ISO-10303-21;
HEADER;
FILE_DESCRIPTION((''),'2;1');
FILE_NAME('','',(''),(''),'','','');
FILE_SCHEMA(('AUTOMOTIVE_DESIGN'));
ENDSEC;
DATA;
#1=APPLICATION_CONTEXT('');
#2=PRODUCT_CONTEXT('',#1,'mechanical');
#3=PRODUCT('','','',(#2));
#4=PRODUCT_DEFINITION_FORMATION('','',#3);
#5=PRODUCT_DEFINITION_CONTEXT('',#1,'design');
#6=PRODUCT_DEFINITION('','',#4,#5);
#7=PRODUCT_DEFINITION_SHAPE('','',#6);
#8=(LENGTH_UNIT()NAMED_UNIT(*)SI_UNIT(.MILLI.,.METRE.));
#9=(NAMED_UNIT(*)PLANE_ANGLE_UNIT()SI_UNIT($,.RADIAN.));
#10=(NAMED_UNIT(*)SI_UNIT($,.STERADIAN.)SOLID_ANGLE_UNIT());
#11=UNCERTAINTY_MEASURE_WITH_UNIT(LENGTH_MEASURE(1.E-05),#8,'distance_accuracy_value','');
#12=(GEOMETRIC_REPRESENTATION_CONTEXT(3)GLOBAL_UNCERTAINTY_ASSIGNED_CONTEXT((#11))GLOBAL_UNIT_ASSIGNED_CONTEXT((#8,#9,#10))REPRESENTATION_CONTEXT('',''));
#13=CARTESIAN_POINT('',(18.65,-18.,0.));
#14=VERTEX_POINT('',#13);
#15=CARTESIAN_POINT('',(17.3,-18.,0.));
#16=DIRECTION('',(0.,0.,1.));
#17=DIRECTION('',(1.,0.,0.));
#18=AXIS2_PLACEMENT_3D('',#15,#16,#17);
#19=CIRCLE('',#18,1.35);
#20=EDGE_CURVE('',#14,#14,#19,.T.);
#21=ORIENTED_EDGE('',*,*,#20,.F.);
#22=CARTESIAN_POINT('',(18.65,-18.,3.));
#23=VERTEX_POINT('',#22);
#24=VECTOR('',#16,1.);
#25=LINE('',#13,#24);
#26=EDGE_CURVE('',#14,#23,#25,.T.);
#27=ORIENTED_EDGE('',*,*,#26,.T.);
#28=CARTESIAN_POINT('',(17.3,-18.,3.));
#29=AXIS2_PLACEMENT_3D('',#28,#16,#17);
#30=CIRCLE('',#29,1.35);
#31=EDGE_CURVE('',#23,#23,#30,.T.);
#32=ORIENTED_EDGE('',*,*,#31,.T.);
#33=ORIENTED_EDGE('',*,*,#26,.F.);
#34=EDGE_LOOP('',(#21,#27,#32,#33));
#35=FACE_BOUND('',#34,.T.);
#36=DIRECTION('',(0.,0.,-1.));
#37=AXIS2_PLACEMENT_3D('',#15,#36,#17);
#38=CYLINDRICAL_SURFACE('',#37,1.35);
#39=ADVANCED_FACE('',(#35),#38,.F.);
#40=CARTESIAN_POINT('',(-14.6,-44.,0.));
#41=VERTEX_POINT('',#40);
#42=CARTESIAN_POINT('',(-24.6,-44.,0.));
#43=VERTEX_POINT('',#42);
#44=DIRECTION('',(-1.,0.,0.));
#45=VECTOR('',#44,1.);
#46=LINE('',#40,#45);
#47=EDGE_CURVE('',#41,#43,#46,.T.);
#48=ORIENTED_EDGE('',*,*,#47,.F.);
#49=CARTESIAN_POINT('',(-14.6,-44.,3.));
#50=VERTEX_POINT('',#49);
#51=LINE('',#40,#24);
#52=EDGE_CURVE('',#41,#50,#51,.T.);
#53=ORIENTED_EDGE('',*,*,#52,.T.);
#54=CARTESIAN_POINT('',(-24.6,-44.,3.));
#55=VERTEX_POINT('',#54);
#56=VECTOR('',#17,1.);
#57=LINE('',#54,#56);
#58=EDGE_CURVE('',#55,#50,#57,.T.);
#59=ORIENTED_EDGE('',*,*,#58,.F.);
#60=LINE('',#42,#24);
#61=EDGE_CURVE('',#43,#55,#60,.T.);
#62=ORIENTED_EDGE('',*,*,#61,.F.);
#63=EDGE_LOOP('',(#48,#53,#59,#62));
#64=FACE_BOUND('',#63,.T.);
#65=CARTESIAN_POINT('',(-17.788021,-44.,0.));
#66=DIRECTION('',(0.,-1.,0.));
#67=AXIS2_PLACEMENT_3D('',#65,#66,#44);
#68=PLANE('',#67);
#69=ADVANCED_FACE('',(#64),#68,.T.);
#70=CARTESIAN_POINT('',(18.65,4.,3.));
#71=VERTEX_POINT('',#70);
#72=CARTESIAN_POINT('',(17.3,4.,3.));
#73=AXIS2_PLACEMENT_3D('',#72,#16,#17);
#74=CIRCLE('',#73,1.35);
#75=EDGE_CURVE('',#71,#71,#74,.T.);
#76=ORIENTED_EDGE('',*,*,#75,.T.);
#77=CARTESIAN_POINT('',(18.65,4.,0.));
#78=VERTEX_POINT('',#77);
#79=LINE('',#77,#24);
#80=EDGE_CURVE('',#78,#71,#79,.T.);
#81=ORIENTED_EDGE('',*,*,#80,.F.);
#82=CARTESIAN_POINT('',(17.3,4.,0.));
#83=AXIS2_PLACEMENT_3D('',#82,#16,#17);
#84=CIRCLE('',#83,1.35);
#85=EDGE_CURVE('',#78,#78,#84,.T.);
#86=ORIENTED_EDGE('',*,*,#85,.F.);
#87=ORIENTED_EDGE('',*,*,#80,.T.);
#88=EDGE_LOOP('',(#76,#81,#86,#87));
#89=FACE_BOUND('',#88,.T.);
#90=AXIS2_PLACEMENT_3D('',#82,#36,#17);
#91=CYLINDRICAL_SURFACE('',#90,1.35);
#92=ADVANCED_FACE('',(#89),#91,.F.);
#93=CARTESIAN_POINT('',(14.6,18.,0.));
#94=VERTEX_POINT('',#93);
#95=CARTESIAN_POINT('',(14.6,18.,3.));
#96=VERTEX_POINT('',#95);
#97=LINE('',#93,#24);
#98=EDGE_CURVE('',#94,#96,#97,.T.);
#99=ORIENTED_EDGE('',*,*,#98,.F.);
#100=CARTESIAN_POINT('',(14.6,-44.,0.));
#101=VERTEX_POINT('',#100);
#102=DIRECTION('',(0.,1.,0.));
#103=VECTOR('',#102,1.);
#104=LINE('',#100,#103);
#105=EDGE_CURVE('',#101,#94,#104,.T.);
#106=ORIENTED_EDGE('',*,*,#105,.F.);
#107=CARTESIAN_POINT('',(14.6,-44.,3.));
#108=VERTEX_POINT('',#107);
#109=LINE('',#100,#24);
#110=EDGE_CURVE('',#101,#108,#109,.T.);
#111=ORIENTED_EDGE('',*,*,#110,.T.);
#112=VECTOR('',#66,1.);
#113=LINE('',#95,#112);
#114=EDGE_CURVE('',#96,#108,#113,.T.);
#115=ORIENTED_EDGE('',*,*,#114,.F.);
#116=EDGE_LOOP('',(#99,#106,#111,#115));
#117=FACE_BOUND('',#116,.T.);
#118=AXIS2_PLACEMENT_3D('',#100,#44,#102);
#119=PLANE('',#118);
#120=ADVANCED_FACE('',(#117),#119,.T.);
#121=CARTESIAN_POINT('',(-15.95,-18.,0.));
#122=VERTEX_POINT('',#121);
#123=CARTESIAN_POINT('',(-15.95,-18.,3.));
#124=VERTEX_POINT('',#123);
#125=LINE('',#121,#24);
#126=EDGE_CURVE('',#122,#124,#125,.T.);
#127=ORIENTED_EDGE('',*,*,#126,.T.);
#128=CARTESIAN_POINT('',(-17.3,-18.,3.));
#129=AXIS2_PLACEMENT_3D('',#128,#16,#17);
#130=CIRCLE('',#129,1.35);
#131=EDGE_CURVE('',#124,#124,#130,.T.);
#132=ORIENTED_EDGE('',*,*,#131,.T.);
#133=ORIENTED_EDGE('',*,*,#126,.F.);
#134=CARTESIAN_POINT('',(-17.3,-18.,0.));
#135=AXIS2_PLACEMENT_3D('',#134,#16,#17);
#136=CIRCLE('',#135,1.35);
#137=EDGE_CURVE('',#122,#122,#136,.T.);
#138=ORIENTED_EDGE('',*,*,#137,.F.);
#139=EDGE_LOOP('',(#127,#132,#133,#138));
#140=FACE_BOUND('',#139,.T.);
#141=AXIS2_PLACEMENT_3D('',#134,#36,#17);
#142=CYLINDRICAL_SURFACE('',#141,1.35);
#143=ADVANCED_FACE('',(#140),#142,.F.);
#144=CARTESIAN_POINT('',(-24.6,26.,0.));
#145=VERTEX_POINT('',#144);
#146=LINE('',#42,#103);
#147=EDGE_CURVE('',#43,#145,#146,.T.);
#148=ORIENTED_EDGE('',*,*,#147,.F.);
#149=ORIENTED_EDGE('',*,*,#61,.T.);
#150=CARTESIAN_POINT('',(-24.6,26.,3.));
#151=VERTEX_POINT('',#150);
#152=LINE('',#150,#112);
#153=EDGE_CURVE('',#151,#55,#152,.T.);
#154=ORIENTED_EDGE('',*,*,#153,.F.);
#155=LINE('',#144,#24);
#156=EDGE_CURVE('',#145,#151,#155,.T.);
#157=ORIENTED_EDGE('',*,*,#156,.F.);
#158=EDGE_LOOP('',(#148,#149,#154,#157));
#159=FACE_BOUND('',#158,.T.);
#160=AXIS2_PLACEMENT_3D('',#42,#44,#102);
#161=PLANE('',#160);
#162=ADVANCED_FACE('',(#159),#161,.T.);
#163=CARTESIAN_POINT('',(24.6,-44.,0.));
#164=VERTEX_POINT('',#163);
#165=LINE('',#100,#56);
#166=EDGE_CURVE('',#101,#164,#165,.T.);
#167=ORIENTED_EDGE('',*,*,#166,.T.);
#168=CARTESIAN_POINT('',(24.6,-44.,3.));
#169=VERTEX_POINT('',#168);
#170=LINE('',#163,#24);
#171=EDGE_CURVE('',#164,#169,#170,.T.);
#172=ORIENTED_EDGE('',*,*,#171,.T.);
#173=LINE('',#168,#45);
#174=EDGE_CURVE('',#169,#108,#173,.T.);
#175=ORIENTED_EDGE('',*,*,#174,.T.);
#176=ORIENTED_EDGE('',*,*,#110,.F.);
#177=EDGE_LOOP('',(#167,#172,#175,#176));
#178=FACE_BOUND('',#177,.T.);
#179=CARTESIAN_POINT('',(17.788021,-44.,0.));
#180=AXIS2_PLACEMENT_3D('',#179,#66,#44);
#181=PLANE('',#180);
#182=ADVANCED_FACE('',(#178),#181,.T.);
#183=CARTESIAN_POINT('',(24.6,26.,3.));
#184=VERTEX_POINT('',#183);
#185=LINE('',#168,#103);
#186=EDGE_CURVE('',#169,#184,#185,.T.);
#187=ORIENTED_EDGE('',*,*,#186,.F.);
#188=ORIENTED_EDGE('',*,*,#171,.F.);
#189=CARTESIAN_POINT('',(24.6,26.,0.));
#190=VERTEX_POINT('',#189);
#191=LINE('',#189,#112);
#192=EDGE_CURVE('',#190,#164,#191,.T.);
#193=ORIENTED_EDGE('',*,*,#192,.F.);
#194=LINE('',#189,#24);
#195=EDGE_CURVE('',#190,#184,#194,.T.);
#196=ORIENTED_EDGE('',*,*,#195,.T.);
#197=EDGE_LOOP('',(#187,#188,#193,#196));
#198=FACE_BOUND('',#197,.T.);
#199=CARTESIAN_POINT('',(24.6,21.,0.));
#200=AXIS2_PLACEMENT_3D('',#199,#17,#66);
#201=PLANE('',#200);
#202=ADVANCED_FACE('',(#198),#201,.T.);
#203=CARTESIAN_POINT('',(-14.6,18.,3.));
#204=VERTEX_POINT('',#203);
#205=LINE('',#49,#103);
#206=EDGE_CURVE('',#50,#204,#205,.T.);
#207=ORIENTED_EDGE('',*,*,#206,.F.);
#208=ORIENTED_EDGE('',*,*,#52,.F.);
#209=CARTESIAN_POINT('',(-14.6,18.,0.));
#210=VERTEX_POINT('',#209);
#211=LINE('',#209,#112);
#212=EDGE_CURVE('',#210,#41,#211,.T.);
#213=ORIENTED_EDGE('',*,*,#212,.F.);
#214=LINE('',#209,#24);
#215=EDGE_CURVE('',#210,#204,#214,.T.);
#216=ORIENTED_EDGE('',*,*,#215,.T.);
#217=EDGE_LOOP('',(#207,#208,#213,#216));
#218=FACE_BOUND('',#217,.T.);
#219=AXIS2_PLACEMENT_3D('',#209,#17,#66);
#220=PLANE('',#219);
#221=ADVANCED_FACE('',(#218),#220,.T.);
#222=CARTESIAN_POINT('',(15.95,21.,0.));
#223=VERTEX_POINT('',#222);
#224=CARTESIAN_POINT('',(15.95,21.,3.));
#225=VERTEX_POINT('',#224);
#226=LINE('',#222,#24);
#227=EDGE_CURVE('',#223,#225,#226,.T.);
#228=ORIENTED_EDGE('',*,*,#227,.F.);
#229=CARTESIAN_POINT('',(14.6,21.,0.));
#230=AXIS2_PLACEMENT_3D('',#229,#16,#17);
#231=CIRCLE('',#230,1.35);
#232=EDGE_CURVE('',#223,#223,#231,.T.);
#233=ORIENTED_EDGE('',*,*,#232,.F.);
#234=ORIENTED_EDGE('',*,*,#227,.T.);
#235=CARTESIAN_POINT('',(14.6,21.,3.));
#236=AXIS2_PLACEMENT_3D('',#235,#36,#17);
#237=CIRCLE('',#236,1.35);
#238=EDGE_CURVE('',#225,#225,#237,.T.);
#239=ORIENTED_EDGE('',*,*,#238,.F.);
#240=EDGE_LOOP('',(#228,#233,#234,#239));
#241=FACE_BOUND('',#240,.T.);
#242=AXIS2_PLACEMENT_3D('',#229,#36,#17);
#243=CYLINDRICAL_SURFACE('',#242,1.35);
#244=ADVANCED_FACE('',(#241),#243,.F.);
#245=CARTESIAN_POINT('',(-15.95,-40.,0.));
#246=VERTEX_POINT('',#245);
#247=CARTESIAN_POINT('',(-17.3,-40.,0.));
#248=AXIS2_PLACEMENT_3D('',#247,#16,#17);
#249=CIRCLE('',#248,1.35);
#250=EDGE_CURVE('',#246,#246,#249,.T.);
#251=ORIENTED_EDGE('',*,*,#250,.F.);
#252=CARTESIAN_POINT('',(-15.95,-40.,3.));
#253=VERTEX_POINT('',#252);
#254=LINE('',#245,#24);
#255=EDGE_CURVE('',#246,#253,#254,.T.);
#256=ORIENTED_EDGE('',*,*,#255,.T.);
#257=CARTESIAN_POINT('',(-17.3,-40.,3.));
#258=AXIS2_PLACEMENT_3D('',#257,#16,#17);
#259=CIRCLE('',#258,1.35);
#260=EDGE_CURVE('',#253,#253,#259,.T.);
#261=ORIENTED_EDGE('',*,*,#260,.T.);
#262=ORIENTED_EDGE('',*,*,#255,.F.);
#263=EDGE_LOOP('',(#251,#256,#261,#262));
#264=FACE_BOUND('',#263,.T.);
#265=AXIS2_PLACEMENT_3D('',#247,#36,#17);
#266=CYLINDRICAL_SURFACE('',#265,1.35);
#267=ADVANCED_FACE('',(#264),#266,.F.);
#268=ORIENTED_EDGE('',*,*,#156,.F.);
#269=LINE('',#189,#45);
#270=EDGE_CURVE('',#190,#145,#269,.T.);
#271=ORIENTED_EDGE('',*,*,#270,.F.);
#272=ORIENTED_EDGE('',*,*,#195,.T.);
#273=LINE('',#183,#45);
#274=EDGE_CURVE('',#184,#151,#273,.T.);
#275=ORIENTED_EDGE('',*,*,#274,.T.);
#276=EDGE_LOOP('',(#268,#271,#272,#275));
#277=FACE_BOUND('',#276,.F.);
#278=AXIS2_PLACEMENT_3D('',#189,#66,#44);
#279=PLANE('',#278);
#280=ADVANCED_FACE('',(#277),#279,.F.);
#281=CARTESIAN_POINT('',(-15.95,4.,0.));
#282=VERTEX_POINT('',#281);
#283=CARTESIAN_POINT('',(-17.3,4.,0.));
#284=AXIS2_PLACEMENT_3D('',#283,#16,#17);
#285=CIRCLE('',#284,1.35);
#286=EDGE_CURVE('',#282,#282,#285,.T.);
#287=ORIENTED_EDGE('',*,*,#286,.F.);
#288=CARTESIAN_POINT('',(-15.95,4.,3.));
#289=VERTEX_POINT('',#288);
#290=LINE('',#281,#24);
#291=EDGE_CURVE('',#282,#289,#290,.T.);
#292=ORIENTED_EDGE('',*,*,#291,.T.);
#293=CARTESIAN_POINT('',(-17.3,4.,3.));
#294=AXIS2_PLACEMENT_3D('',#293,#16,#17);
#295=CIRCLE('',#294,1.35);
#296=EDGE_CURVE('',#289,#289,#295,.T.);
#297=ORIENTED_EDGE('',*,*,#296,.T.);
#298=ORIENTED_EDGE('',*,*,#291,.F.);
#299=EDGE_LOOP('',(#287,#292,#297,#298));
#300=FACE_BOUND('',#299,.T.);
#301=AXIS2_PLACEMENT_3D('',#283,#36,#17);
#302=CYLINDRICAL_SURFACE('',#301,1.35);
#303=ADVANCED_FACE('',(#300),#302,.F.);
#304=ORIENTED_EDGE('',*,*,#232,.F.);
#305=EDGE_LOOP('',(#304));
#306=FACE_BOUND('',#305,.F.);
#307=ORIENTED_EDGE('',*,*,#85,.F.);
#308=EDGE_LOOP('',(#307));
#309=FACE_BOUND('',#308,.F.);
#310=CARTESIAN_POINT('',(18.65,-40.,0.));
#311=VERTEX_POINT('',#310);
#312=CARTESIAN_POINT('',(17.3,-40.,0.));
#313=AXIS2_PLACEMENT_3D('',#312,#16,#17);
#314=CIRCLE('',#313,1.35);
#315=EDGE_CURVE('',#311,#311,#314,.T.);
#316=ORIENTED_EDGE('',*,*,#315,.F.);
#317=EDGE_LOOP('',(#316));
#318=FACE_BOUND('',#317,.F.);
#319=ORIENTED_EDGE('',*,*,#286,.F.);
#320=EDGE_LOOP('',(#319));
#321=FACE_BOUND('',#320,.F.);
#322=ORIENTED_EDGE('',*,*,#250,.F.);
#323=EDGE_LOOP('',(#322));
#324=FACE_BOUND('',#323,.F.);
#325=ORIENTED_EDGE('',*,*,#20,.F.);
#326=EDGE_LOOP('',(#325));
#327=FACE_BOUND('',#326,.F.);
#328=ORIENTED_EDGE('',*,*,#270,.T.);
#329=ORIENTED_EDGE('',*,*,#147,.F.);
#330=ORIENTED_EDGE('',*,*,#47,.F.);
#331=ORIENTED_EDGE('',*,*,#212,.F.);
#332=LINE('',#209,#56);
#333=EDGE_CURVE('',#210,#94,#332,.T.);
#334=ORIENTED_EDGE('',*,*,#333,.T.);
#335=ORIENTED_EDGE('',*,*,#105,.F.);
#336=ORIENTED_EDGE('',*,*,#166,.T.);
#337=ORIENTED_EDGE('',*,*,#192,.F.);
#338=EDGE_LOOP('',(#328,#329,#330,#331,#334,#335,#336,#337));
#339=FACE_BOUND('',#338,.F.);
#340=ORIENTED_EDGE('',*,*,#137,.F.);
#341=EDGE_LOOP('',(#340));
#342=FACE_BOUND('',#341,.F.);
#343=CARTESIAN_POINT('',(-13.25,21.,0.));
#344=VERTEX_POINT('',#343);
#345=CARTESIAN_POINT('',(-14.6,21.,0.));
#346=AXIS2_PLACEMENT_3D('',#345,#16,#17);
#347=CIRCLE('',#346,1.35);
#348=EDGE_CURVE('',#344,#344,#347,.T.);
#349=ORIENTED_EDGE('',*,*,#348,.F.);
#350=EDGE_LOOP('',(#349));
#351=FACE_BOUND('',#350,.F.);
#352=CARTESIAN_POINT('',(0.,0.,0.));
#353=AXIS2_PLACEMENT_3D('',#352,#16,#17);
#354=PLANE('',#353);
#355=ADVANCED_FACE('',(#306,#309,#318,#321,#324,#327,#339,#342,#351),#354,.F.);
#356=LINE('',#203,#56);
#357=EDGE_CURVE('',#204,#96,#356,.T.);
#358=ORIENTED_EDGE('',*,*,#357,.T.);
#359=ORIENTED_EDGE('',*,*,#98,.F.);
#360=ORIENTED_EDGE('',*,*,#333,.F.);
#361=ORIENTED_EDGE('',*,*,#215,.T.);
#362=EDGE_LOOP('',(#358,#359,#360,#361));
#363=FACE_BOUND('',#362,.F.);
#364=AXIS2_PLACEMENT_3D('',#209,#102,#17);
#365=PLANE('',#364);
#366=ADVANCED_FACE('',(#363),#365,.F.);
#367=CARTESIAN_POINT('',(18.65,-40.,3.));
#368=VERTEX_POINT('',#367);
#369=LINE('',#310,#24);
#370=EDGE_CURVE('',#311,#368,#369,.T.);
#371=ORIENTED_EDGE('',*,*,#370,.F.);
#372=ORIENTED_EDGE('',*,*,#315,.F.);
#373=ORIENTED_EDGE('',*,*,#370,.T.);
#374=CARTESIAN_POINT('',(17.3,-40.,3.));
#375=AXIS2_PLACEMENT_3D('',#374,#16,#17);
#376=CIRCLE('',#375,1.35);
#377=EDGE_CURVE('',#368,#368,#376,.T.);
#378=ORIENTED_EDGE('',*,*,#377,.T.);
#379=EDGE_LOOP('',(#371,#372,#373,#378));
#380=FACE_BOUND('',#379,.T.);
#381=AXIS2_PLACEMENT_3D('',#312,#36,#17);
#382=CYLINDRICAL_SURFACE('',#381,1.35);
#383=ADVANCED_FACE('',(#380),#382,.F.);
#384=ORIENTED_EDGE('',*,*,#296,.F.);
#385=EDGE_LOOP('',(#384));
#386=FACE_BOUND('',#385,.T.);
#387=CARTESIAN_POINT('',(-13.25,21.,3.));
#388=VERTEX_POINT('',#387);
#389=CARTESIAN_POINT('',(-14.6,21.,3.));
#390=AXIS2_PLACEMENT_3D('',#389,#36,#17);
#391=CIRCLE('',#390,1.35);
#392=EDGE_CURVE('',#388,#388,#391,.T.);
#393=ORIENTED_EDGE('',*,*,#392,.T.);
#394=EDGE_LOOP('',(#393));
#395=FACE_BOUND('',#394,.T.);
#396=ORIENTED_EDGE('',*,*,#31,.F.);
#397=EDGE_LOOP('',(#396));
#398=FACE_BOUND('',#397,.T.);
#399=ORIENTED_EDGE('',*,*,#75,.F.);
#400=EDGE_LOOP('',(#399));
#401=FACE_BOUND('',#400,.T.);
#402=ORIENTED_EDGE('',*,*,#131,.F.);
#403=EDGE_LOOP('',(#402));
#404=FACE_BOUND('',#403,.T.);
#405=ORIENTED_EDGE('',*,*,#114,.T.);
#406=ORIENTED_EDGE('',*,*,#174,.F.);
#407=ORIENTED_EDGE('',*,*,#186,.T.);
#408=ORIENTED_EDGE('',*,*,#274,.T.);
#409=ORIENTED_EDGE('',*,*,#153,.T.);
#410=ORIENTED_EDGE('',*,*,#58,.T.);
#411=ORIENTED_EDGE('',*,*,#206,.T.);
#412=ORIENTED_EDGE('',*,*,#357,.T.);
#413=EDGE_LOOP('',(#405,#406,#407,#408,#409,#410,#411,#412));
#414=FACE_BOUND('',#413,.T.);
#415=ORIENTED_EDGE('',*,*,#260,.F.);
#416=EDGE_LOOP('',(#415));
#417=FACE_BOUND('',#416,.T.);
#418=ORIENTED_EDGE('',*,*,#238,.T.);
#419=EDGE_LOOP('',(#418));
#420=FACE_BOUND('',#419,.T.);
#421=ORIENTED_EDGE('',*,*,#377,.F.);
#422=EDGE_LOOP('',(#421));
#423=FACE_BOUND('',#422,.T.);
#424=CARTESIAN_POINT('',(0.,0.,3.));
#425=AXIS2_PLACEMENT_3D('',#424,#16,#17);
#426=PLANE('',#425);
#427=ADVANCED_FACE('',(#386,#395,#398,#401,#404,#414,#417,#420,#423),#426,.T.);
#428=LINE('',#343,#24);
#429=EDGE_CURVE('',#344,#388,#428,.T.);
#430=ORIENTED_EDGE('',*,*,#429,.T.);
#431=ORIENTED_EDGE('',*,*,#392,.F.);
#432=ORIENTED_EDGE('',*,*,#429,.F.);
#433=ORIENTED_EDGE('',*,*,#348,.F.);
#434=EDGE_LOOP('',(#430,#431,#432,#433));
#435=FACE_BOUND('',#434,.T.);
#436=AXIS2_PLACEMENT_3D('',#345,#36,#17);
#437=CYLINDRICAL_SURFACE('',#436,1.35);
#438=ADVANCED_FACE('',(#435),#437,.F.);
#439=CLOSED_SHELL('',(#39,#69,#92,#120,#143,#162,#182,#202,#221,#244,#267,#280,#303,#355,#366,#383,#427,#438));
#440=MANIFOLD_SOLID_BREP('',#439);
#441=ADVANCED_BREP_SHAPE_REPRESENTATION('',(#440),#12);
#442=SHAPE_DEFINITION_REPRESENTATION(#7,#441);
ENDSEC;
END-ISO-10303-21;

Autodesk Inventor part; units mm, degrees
ref_plane "YZ Plane" through (0, 0, 0) normal (1, 0, 0) x (0, 1, 0)
ref_plane "XZ Plane" through (0, 0, 0) normal (0, 1, 0) x (-1, 0, 0)
ref_plane "XY Plane" through (0, 0, 0) normal (0, 0, 1) x (1, 0, 0)
ref_plane "작업 평면1" through (0, 0, 0) normal (0, 0, 1) x (1, 0, 0)
sketch "스케치1" plane through (0, 0, 0) normal (0, 0, 1) x (1, 0, 0)
  arc A0 (20.1, 4.5766) -> (19.5808, 6.2636) centre (17.1, 4.5766) ccw projected
  line L0 (19.5808, 6.2636) -> (15.5953, 12.1246) projected
  arc A1 (15.5953, 12.1246) -> (13.9414, 13) centre (13.9414, 11) ccw projected
  line L1 (13, 13) -> (13.9414, 13) projected
  arc A2 (14.5, 11.5) -> (13, 13) centre (13, 11.5) ccw projected
  line L2 (14.5, -41.5) -> (14.5, 11.5) projected
  arc A3 (13.5, -42.5) -> (14.5, -41.5) centre (13.5, -41.5) ccw projected
  line L3 (-13.5, -42.5) -> (13.5, -42.5) projected
  arc A4 (-14.5, -41.5) -> (-13.5, -42.5) centre (-13.5, -41.5) ccw projected
  line L4 (-14.5, 11.5) -> (-14.5, -41.5) projected
  arc A5 (-13, 13) -> (-14.5, 11.5) centre (-13, 11.5) ccw projected
  line L5 (-13.9414, 13) -> (-13, 13) projected
  arc A6 (-13.9414, 13) -> (-15.5953, 12.1246) centre (-13.9414, 11) ccw projected
  line L6 (-15.5953, 12.1246) -> (-19.5808, 6.2636) projected
  arc A7 (-19.5808, 6.2636) -> (-20.1, 4.5766) centre (-17.1, 4.5766) ccw projected
  line L7 (-20.1, 4.5766) -> (-20.1, -39.6766) projected
  arc A8 (-20.1, -39.6766) -> (-19.5808, -41.3636) centre (-17.1, -39.6766) ccw projected
  line L8 (-19.5808, -41.3636) -> (-15.8929, -46.7869) projected
  arc A9 (-15.8929, -46.7869) -> (-13.4121, -48.1) centre (-13.4121, -45.1) ccw projected
  line L9 (-13.4121, -48.1) -> (13.4121, -48.1) projected
  arc A10 (13.4121, -48.1) -> (15.8929, -46.7869) centre (13.4121, -45.1) ccw projected
  line L10 (15.8929, -46.7869) -> (19.5808, -41.3636) projected
  arc A11 (19.5808, -41.3636) -> (20.1, -39.6766) centre (17.1, -39.6766) ccw projected
  line L11 (20.1, -39.6766) -> (20.1, 4.5766) projected
  circle A12 centre (-17.3, 4) radius 1.35 projected
  circle A13 centre (-17.3, -18) radius 1.35 projected
  circle A14 centre (-11, -45.3) radius 1.35 projected
  circle A15 centre (17.3, 4) radius 1.35 projected
  circle A16 centre (17.3, -18) radius 1.35 projected
  circle A17 centre (11, -45.3) radius 1.35 projected
  circle A18 centre (-17.3, -40) radius 1.35 projected
  circle A19 centre (17.3, -40) radius 1.35 projected
  arc A20 (-14.6, -41.5) -> (-13.5, -42.6) centre (-13.5, -41.5) ccw
  line L12 (-13.5, -42.6) -> (13.5, -42.6)
  arc A21 (13.5, -42.6) -> (14.6, -41.5) centre (13.5, -41.5) ccw
  arc A22 (13.7746, 12.9) -> (12.2254, 12.9) centre (13, 11.5) ccw
  line L13 (12.2254, 12.9) -> (13.9414, 12.9)
  arc A23 (14.6, 12.7822) -> (13.9414, 12.9) centre (13.9414, 11) ccw
  line L14 (17.6671, -44) -> (15.8102, -46.7307)
  arc A24 (13.4121, -48) -> (15.8102, -46.7307) centre (13.4121, -45.1) ccw
  line L15 (13.4121, -48) -> (-13.4121, -48)
  arc A25 (-15.8102, -46.7307) -> (-13.4121, -48) centre (-13.4121, -45.1) ccw
  line L16 (-15.8102, -46.7307) -> (-17.6671, -44)
  arc A26 (-13.9414, 12.9) -> (-14.6, 12.7822) centre (-13.9414, 11) ccw
  line L17 (-13.9414, 12.9) -> (-12.2254, 12.9)
  arc A27 (-12.2254, 12.9) -> (-14.6, 11.5) centre (-13, 11.5) ccw
  line L18 (-14.6, 11.5) -> (-14.6, -41.5)
  line L19 (13, 13) -> (-13, 13)
  line L20 (-14.6, -44) -> (-24.6, -44)
  line L21 (-24.6, -44) -> (-24.6, 18)
  line L22 (-14.6, 18) -> (-14.6, -44)
  line L23 (-14.6, 18) -> (14.6, 18)
  line L24 (14.6, 19.65) -> (14.6, 21)
  line L25 (-24.6, 21) -> (-24.6, 18)
  line L26 (14.6, 21) -> (15.95, 21)
  line L27 (24.6, 21) -> (24.6, -44)
  line L28 (24.6, -44) -> (14.6, -44)
  line L29 (24.6, 21) -> (24.6, 26)
  line L30 (24.6, 26) -> (-24.6, 26)
  line L31 (-24.6, 26) -> (-24.6, 21)
  circle A28 centre (-14.6, 21) radius 1.35
  circle A29 centre (14.6, 21) radius 1.35
  line L32 (-20.1, 21) -> (-20, 21)
  line L33 (13.25, 21) -> (15.95, 21)
  line L34 (14.6, 21) -> (13.25, 21)
  line L35 (-13.25, 21) -> (-15.95, 21)
  line L36 (14.6, 19.65) -> (14.6, 21)
  circle A30 centre (-17.3, 4) radius 1.35
  circle A31 centre (-17.3, -18) radius 1.35
  circle A32 centre (-17.3, -40) radius 1.35
  circle A33 centre (17.3, -40) radius 1.35
  circle A34 centre (17.3, -18) radius 1.35
  circle A35 centre (17.3, 4) radius 1.35
  line L37 (14.6, -44) -> (14.6, -41.5)
  line L38 (14.6, 12.7822) -> (14.6, 18)
  line L39 (14.6, -41.5) -> (14.6, 12.7822)
  point P0 (0, 0)
  point P1 (-14.6, 11.5)
  point P2 (17.788, -44)
  point P3 (-17.788, -44)
  point P4 (-14.6, 12.8885)
  dimension "d0" = 0.1
  dimension "d3" = 10
  dimension "d4" = 62
  dimension "d5" = 3
  dimension "d6" = 10
  dimension "d7" = 5
  dimension "d8" = 2.7
  dimension "d9" = 2.7
  dimension "d10" = 2.7
  dimension "d11" = 2.7
  dimension "d12" = 2.7
  dimension "d13" = 2.7
  dimension "d14" = 2.7
  dimension "d15" = 2.7
extrude "돌출2" add sketch "스케치1" along normal blind 3 contours L11 A11 L10 L28 L37 L39 L38 A1 L0 A0 | A0 L0 A1 L38 L23 L22 A6 L6 A7 L7 A8 L8 L20 L21 L25 L31 L30 L29 L27 L28 L10 A11 L11 | L22 L18 L20 L8 A8 L7 A7 L6 A6
properties part number "body side_battery connector" material "PMMA 플라스틱"
